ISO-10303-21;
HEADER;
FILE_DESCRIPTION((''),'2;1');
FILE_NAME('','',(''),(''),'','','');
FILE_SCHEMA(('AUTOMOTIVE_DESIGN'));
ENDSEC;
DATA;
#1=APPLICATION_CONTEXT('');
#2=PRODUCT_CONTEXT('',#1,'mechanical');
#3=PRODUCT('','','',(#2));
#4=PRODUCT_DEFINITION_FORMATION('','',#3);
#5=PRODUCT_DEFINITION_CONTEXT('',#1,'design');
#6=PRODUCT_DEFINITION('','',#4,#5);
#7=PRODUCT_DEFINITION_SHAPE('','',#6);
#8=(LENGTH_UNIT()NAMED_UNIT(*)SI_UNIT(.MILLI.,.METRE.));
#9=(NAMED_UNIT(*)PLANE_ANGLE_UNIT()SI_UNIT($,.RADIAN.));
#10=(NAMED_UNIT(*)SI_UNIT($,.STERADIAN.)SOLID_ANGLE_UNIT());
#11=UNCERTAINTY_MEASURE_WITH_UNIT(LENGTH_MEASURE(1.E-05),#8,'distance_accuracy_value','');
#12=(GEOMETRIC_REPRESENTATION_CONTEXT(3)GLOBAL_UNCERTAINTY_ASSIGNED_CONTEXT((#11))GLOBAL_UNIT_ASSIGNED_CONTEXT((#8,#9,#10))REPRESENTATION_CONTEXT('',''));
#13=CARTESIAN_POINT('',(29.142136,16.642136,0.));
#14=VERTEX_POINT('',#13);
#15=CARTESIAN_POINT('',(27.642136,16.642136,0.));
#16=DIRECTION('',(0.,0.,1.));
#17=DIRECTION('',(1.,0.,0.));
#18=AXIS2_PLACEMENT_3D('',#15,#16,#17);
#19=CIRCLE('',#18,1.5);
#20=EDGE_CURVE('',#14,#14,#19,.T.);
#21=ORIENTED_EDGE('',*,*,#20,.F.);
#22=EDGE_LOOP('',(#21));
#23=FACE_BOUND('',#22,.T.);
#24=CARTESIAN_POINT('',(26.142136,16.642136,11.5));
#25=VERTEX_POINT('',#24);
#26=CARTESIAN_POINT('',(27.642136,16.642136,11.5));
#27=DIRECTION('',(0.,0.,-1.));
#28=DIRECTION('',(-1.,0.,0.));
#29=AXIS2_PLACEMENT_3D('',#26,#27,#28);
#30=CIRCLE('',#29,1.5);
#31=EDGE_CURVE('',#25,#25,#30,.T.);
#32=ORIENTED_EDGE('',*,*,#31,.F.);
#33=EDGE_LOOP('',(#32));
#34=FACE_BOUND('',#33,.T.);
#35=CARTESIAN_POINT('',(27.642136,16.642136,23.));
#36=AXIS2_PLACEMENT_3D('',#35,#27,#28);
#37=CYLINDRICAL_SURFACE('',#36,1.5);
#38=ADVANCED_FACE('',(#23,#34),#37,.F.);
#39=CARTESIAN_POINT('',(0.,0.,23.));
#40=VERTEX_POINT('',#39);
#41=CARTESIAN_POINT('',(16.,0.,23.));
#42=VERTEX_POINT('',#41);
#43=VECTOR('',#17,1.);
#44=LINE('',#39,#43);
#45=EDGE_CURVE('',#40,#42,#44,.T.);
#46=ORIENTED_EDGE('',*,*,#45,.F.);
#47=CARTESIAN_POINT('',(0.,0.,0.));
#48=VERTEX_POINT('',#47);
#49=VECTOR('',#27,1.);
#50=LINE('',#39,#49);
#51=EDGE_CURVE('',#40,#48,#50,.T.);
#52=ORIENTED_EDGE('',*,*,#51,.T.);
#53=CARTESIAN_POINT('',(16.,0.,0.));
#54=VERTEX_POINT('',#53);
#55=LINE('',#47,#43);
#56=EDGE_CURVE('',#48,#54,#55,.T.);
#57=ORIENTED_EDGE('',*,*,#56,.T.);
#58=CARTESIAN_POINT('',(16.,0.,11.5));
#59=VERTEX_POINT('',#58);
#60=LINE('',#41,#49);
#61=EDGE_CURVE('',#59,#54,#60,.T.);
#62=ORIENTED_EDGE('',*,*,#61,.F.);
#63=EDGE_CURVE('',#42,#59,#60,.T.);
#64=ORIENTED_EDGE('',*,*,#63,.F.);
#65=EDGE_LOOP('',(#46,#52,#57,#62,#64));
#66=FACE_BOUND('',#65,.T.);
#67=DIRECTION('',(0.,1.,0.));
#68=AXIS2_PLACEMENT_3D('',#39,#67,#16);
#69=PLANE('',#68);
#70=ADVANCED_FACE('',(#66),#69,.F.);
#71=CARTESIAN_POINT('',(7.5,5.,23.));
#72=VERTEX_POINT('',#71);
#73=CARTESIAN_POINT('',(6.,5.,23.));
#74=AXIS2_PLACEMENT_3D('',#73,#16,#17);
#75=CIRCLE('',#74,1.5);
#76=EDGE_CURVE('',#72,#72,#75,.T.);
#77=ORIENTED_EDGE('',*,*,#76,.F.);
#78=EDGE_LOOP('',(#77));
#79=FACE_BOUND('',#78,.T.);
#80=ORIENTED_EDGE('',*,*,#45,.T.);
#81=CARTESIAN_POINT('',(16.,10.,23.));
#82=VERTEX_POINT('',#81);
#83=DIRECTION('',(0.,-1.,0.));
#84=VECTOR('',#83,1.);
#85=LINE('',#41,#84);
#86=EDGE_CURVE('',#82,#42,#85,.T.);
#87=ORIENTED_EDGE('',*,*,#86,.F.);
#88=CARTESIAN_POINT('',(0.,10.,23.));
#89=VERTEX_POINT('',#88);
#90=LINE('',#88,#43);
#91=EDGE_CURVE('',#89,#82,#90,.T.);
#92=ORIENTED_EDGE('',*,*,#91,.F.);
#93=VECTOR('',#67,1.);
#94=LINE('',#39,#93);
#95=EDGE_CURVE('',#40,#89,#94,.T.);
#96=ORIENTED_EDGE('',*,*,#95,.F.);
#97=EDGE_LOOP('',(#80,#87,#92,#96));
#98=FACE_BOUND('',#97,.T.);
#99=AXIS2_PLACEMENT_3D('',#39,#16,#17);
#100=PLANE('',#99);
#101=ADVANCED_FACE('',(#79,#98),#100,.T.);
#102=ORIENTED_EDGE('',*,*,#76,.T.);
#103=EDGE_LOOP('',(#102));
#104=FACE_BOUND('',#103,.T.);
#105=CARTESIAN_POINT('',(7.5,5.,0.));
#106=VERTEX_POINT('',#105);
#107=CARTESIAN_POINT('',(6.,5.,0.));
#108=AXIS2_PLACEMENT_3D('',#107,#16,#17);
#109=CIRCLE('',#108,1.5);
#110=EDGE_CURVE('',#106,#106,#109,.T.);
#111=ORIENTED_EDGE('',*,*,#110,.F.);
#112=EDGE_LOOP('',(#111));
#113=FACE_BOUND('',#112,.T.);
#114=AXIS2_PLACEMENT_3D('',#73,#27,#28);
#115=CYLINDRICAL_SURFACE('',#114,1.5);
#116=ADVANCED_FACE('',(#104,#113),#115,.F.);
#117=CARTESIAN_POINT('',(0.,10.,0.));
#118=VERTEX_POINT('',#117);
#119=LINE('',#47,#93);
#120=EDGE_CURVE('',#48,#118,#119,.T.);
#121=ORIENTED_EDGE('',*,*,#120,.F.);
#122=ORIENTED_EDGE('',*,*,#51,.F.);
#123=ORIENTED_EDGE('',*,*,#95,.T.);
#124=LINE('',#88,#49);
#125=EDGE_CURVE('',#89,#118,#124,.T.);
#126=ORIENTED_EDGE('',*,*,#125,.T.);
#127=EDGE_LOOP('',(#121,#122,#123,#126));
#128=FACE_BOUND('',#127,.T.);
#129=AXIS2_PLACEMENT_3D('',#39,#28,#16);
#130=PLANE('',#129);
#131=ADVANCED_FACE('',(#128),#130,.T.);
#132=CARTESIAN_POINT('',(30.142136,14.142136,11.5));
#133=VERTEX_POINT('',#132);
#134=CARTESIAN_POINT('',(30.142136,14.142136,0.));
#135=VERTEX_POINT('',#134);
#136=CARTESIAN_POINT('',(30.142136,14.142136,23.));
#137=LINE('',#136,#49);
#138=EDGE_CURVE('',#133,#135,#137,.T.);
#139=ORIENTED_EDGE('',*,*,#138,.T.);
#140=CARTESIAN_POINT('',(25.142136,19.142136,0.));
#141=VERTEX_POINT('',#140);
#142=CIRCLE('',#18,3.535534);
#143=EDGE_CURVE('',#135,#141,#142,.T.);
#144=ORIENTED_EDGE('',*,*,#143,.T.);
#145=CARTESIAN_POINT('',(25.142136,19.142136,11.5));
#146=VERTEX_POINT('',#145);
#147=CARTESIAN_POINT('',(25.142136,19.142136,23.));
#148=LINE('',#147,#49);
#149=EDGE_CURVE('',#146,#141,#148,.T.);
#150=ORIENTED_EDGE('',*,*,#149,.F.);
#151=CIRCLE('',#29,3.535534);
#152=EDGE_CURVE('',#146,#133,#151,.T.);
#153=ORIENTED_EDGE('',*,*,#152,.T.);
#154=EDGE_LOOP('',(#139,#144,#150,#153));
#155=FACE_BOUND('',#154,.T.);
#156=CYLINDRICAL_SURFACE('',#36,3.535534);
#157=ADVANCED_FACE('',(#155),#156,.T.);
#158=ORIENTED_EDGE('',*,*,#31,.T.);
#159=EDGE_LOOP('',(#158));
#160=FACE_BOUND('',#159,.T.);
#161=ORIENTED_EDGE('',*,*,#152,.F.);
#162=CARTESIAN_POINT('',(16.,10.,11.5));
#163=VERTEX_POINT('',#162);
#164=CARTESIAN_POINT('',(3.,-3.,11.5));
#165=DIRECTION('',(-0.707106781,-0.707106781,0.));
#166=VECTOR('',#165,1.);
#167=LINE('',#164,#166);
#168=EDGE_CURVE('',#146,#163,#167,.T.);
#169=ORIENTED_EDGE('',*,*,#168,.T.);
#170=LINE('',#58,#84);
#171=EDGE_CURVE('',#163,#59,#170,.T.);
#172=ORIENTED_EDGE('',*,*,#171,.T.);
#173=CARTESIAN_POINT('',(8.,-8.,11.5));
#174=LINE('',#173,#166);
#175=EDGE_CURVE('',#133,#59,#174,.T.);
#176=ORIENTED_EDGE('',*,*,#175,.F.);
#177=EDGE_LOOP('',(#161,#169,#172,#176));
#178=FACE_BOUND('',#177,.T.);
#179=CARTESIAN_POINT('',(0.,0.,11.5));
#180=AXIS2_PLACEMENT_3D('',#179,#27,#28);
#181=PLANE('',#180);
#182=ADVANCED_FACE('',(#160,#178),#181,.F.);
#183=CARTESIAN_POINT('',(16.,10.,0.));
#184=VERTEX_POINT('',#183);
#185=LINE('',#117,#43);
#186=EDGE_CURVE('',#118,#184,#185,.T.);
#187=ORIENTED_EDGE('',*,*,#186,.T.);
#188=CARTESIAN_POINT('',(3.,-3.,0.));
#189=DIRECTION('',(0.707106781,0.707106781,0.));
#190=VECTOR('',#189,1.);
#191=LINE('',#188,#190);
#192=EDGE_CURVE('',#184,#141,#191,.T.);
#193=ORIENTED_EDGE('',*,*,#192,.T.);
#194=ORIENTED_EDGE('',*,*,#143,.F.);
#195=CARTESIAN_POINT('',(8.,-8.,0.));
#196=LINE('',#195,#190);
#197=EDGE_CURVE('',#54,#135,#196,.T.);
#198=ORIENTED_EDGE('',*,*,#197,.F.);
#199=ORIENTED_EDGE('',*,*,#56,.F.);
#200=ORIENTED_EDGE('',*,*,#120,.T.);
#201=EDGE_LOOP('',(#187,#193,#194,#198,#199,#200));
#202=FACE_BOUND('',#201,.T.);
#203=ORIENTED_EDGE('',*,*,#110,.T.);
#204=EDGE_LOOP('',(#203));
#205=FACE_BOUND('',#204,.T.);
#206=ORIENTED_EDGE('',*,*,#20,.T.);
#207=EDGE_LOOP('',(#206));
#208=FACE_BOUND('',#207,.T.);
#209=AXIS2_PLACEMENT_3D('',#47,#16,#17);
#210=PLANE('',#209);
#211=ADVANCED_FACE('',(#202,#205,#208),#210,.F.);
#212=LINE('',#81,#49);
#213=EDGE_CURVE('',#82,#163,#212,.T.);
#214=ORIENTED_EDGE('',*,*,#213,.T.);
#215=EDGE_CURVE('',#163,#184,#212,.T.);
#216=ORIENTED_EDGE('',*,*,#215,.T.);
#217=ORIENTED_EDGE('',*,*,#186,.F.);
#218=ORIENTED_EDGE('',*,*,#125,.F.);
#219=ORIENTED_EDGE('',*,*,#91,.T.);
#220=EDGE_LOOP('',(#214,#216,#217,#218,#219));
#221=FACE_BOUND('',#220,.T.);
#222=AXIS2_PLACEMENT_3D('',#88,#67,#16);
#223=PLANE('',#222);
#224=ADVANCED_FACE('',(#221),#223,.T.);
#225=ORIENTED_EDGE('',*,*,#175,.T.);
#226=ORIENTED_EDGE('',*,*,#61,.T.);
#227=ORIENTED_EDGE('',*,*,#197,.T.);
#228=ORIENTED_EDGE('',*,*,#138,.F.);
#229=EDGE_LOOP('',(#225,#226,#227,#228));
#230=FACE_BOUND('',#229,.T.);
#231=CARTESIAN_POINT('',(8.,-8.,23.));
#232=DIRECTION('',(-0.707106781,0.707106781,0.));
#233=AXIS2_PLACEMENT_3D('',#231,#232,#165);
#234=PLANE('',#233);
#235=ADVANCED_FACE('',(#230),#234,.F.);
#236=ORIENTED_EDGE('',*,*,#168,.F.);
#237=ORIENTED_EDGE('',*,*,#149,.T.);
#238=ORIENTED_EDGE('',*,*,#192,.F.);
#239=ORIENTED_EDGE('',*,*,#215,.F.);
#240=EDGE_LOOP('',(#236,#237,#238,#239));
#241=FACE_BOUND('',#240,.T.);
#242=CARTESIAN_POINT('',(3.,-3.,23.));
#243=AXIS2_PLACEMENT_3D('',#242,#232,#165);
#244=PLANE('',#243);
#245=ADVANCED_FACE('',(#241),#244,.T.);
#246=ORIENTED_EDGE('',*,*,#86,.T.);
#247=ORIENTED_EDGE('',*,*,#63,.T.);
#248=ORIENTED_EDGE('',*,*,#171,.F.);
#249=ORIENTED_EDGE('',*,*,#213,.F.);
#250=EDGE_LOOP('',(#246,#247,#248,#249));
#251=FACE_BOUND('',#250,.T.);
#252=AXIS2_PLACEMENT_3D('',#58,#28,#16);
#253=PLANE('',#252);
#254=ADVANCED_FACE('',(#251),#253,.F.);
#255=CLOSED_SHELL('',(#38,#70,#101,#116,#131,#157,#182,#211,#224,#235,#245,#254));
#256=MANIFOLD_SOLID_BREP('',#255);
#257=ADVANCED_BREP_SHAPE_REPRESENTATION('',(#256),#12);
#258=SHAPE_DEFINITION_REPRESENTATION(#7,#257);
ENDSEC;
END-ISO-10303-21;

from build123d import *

# Parameters (mm, degrees)
SKETCH_1_R          = 1.5
EXTRUDE_2_DEPTH     = 23
SKETCH_2_W          = 17.071500421
SKETCH_2_H          = 21.570260429
CUT_EXTRUDE_1_DEPTH = 11.5


with BuildPart() as part:
    # 草图1 → 凸台-拉伸2 (new body)
    with BuildSketch(Plane.XY):
        with BuildLine():
            Line((16, 0), (30.142135624, 14.142135624))
            ThreePointArc((30.142135624, 14.142135624), (30.142135624, 19.142135624), (25.142135624, 19.142135624))
            Line((25.142135624, 19.142135624), (16, 10))
            Line((16, 10), (0, 10))
            Line((0, 10), (0, 0))
            Line((0, 0), (16, 0))
        make_face()
        with Locations((27.642135624, 16.642135624)):
            Circle(SKETCH_1_R, mode=Mode.SUBTRACT)
        with Locations((6, 5)):
            Circle(SKETCH_1_R, mode=Mode.SUBTRACT)
    extrude(amount=EXTRUDE_2_DEPTH)

    # 草图2 → 切除-拉伸1 (cut)
    with BuildSketch(Plane.XY.offset(23)):
        with Locations((24.535750211, 10.785130215)):
            Rectangle(SKETCH_2_W, SKETCH_2_H)
    extrude(amount=-CUT_EXTRUDE_1_DEPTH, mode=Mode.SUBTRACT)


solid = part.part
